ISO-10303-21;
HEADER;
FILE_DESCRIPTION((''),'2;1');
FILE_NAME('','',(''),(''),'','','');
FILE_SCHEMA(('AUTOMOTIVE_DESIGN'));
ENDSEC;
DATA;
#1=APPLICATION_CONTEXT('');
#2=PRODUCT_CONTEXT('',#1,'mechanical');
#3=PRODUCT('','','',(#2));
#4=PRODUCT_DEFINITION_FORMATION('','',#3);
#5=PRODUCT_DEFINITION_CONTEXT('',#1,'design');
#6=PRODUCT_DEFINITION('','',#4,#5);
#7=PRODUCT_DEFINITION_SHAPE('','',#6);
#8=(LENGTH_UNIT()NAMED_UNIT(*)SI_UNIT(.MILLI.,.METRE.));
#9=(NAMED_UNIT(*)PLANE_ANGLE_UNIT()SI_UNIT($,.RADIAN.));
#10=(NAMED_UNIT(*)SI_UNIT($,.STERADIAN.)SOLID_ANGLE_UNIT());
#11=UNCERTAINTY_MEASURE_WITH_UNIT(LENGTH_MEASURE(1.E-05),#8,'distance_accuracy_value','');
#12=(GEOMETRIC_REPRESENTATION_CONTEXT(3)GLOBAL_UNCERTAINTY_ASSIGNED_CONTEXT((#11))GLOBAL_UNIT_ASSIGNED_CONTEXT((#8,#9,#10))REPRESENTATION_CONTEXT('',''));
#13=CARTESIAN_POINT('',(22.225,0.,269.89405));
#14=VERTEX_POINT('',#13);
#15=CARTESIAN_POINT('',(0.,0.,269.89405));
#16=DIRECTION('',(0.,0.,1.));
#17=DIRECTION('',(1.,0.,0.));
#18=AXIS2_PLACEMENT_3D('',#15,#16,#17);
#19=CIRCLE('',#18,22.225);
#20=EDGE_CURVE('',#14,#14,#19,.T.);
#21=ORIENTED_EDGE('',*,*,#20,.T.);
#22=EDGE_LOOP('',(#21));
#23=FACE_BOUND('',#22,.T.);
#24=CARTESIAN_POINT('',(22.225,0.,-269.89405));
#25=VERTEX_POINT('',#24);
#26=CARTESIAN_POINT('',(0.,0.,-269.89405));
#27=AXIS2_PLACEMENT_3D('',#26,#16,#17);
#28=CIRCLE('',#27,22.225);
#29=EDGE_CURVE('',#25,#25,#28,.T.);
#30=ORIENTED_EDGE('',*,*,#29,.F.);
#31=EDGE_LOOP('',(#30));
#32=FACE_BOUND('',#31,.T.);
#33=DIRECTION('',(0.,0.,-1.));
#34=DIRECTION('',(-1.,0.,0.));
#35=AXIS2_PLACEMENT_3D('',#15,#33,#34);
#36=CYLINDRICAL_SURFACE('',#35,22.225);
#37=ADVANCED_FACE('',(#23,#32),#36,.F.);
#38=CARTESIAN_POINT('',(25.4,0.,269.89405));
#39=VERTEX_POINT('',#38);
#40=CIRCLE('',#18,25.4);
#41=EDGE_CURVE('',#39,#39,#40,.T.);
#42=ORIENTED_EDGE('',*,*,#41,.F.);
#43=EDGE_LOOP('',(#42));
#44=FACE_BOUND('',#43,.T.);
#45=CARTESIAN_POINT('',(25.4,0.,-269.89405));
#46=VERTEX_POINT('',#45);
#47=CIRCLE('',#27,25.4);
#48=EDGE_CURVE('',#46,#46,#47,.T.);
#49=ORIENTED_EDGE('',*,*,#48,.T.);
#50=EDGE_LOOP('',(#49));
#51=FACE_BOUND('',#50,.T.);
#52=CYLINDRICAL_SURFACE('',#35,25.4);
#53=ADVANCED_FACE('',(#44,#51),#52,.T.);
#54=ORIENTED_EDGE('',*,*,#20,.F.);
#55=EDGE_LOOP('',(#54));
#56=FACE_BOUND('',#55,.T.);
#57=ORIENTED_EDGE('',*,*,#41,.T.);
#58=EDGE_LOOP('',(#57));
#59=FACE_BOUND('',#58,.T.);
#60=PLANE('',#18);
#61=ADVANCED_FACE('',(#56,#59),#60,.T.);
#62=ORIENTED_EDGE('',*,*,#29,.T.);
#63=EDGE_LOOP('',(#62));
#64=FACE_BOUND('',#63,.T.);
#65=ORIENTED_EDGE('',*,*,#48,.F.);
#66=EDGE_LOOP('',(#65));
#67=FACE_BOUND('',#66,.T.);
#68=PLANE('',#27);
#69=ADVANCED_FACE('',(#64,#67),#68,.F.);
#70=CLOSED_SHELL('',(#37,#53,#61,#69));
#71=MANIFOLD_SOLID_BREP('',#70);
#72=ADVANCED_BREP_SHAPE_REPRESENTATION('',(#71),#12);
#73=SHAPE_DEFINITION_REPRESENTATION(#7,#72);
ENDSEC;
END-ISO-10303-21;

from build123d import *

# Parameters (mm, degrees)
SKETCH1_R           = 25.4
SKETCH1_R_2         = 22.225
BOSS_EXTRUDE1_DEPTH = 269.89405


with BuildPart() as part:
    # Sketch1 → Boss-Extrude1 (new, symmetric)
    with BuildSketch(Plane.XY):
        Circle(SKETCH1_R)
        Circle(SKETCH1_R_2, mode=Mode.SUBTRACT)
    extrude(amount=BOSS_EXTRUDE1_DEPTH, both=True)


solid = part.part
